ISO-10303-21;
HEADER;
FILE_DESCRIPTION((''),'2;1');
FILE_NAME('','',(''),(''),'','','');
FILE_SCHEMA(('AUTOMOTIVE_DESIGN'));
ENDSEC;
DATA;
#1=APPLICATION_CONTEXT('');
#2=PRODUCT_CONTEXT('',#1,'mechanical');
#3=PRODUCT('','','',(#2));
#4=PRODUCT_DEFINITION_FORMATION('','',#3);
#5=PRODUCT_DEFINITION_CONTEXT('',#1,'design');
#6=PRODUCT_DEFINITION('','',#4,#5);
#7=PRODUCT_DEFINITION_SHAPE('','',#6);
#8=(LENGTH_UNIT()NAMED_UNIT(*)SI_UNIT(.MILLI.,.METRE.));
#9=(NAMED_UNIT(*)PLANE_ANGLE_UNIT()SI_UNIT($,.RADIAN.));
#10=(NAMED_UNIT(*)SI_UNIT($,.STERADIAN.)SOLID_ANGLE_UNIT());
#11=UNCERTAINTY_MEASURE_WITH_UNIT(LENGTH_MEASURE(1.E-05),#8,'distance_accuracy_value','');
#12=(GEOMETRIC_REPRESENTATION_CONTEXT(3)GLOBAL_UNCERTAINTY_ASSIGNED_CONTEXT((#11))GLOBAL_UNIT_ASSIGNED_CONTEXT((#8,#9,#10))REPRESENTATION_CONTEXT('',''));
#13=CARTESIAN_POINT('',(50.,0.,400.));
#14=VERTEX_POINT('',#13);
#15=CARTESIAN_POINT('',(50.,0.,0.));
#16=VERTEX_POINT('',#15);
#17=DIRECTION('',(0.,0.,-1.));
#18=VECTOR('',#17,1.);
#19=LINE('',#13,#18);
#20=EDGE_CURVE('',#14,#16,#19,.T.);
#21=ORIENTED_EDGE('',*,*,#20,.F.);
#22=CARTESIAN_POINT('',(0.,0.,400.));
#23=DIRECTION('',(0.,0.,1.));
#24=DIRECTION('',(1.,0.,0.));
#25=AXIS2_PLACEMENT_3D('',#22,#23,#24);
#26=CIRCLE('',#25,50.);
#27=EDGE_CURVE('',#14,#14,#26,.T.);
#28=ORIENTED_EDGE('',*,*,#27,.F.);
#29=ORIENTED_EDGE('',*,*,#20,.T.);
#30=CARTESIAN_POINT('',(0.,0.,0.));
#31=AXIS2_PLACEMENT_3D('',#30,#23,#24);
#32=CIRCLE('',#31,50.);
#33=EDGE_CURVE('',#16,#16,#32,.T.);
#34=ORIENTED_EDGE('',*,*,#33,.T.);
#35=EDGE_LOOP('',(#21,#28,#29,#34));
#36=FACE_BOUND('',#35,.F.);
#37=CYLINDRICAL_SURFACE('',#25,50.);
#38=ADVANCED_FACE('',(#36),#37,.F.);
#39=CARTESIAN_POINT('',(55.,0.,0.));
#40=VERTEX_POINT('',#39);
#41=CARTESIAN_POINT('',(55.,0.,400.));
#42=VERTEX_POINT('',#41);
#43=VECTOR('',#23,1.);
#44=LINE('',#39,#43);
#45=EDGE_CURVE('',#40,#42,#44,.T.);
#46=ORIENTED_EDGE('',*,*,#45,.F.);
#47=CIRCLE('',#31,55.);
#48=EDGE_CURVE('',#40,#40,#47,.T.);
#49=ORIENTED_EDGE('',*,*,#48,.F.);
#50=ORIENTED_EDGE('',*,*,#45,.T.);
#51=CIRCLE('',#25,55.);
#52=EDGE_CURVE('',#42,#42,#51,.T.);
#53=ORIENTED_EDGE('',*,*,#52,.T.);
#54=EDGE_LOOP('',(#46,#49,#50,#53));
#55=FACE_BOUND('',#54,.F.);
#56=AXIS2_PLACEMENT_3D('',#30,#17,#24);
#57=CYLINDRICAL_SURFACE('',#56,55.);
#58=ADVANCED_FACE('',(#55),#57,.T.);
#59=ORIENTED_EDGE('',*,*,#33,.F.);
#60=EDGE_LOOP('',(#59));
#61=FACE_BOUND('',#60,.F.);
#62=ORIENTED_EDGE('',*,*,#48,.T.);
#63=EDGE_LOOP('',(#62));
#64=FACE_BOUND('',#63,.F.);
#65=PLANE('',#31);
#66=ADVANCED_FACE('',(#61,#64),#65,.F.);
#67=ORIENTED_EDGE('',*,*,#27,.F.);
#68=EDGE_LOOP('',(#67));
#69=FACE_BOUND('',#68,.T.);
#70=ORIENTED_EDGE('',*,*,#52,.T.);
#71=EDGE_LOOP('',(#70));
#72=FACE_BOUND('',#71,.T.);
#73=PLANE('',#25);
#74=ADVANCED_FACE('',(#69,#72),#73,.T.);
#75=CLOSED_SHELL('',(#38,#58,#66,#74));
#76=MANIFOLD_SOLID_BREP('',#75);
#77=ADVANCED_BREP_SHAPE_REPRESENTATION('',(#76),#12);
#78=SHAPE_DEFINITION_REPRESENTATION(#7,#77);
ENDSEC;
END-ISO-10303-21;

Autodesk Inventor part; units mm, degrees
ref_plane "YZ Plane" through (0, 0, 0) normal (1, 0, 0) x (0, 1, 0)
ref_plane "XZ Plane" through (0, 0, 0) normal (0, 1, 0) x (-1, 0, 0)
ref_plane "XY Plane" through (0, 0, 0) normal (0, 0, 1) x (1, 0, 0)
sketch "Skizze1" plane through (0, 0, 0) normal (0, 0, 1) x (1, 0, 0)
  circle A0 centre (0, 0) radius 55
  dimension "d0" = 110
extrude "Extrusion1" add sketch "Skizze1" along normal blind 400
sketch "Skizze2" plane through (0, 0, 400) normal (0, 0, 1) x (1, 0, 0)
  circle A0 centre (0, 0) radius 50
  dimension "d3" = 100
extrude "Extrusion2" cut sketch "Skizze2" against normal blind 400
properties part number "Pile"
